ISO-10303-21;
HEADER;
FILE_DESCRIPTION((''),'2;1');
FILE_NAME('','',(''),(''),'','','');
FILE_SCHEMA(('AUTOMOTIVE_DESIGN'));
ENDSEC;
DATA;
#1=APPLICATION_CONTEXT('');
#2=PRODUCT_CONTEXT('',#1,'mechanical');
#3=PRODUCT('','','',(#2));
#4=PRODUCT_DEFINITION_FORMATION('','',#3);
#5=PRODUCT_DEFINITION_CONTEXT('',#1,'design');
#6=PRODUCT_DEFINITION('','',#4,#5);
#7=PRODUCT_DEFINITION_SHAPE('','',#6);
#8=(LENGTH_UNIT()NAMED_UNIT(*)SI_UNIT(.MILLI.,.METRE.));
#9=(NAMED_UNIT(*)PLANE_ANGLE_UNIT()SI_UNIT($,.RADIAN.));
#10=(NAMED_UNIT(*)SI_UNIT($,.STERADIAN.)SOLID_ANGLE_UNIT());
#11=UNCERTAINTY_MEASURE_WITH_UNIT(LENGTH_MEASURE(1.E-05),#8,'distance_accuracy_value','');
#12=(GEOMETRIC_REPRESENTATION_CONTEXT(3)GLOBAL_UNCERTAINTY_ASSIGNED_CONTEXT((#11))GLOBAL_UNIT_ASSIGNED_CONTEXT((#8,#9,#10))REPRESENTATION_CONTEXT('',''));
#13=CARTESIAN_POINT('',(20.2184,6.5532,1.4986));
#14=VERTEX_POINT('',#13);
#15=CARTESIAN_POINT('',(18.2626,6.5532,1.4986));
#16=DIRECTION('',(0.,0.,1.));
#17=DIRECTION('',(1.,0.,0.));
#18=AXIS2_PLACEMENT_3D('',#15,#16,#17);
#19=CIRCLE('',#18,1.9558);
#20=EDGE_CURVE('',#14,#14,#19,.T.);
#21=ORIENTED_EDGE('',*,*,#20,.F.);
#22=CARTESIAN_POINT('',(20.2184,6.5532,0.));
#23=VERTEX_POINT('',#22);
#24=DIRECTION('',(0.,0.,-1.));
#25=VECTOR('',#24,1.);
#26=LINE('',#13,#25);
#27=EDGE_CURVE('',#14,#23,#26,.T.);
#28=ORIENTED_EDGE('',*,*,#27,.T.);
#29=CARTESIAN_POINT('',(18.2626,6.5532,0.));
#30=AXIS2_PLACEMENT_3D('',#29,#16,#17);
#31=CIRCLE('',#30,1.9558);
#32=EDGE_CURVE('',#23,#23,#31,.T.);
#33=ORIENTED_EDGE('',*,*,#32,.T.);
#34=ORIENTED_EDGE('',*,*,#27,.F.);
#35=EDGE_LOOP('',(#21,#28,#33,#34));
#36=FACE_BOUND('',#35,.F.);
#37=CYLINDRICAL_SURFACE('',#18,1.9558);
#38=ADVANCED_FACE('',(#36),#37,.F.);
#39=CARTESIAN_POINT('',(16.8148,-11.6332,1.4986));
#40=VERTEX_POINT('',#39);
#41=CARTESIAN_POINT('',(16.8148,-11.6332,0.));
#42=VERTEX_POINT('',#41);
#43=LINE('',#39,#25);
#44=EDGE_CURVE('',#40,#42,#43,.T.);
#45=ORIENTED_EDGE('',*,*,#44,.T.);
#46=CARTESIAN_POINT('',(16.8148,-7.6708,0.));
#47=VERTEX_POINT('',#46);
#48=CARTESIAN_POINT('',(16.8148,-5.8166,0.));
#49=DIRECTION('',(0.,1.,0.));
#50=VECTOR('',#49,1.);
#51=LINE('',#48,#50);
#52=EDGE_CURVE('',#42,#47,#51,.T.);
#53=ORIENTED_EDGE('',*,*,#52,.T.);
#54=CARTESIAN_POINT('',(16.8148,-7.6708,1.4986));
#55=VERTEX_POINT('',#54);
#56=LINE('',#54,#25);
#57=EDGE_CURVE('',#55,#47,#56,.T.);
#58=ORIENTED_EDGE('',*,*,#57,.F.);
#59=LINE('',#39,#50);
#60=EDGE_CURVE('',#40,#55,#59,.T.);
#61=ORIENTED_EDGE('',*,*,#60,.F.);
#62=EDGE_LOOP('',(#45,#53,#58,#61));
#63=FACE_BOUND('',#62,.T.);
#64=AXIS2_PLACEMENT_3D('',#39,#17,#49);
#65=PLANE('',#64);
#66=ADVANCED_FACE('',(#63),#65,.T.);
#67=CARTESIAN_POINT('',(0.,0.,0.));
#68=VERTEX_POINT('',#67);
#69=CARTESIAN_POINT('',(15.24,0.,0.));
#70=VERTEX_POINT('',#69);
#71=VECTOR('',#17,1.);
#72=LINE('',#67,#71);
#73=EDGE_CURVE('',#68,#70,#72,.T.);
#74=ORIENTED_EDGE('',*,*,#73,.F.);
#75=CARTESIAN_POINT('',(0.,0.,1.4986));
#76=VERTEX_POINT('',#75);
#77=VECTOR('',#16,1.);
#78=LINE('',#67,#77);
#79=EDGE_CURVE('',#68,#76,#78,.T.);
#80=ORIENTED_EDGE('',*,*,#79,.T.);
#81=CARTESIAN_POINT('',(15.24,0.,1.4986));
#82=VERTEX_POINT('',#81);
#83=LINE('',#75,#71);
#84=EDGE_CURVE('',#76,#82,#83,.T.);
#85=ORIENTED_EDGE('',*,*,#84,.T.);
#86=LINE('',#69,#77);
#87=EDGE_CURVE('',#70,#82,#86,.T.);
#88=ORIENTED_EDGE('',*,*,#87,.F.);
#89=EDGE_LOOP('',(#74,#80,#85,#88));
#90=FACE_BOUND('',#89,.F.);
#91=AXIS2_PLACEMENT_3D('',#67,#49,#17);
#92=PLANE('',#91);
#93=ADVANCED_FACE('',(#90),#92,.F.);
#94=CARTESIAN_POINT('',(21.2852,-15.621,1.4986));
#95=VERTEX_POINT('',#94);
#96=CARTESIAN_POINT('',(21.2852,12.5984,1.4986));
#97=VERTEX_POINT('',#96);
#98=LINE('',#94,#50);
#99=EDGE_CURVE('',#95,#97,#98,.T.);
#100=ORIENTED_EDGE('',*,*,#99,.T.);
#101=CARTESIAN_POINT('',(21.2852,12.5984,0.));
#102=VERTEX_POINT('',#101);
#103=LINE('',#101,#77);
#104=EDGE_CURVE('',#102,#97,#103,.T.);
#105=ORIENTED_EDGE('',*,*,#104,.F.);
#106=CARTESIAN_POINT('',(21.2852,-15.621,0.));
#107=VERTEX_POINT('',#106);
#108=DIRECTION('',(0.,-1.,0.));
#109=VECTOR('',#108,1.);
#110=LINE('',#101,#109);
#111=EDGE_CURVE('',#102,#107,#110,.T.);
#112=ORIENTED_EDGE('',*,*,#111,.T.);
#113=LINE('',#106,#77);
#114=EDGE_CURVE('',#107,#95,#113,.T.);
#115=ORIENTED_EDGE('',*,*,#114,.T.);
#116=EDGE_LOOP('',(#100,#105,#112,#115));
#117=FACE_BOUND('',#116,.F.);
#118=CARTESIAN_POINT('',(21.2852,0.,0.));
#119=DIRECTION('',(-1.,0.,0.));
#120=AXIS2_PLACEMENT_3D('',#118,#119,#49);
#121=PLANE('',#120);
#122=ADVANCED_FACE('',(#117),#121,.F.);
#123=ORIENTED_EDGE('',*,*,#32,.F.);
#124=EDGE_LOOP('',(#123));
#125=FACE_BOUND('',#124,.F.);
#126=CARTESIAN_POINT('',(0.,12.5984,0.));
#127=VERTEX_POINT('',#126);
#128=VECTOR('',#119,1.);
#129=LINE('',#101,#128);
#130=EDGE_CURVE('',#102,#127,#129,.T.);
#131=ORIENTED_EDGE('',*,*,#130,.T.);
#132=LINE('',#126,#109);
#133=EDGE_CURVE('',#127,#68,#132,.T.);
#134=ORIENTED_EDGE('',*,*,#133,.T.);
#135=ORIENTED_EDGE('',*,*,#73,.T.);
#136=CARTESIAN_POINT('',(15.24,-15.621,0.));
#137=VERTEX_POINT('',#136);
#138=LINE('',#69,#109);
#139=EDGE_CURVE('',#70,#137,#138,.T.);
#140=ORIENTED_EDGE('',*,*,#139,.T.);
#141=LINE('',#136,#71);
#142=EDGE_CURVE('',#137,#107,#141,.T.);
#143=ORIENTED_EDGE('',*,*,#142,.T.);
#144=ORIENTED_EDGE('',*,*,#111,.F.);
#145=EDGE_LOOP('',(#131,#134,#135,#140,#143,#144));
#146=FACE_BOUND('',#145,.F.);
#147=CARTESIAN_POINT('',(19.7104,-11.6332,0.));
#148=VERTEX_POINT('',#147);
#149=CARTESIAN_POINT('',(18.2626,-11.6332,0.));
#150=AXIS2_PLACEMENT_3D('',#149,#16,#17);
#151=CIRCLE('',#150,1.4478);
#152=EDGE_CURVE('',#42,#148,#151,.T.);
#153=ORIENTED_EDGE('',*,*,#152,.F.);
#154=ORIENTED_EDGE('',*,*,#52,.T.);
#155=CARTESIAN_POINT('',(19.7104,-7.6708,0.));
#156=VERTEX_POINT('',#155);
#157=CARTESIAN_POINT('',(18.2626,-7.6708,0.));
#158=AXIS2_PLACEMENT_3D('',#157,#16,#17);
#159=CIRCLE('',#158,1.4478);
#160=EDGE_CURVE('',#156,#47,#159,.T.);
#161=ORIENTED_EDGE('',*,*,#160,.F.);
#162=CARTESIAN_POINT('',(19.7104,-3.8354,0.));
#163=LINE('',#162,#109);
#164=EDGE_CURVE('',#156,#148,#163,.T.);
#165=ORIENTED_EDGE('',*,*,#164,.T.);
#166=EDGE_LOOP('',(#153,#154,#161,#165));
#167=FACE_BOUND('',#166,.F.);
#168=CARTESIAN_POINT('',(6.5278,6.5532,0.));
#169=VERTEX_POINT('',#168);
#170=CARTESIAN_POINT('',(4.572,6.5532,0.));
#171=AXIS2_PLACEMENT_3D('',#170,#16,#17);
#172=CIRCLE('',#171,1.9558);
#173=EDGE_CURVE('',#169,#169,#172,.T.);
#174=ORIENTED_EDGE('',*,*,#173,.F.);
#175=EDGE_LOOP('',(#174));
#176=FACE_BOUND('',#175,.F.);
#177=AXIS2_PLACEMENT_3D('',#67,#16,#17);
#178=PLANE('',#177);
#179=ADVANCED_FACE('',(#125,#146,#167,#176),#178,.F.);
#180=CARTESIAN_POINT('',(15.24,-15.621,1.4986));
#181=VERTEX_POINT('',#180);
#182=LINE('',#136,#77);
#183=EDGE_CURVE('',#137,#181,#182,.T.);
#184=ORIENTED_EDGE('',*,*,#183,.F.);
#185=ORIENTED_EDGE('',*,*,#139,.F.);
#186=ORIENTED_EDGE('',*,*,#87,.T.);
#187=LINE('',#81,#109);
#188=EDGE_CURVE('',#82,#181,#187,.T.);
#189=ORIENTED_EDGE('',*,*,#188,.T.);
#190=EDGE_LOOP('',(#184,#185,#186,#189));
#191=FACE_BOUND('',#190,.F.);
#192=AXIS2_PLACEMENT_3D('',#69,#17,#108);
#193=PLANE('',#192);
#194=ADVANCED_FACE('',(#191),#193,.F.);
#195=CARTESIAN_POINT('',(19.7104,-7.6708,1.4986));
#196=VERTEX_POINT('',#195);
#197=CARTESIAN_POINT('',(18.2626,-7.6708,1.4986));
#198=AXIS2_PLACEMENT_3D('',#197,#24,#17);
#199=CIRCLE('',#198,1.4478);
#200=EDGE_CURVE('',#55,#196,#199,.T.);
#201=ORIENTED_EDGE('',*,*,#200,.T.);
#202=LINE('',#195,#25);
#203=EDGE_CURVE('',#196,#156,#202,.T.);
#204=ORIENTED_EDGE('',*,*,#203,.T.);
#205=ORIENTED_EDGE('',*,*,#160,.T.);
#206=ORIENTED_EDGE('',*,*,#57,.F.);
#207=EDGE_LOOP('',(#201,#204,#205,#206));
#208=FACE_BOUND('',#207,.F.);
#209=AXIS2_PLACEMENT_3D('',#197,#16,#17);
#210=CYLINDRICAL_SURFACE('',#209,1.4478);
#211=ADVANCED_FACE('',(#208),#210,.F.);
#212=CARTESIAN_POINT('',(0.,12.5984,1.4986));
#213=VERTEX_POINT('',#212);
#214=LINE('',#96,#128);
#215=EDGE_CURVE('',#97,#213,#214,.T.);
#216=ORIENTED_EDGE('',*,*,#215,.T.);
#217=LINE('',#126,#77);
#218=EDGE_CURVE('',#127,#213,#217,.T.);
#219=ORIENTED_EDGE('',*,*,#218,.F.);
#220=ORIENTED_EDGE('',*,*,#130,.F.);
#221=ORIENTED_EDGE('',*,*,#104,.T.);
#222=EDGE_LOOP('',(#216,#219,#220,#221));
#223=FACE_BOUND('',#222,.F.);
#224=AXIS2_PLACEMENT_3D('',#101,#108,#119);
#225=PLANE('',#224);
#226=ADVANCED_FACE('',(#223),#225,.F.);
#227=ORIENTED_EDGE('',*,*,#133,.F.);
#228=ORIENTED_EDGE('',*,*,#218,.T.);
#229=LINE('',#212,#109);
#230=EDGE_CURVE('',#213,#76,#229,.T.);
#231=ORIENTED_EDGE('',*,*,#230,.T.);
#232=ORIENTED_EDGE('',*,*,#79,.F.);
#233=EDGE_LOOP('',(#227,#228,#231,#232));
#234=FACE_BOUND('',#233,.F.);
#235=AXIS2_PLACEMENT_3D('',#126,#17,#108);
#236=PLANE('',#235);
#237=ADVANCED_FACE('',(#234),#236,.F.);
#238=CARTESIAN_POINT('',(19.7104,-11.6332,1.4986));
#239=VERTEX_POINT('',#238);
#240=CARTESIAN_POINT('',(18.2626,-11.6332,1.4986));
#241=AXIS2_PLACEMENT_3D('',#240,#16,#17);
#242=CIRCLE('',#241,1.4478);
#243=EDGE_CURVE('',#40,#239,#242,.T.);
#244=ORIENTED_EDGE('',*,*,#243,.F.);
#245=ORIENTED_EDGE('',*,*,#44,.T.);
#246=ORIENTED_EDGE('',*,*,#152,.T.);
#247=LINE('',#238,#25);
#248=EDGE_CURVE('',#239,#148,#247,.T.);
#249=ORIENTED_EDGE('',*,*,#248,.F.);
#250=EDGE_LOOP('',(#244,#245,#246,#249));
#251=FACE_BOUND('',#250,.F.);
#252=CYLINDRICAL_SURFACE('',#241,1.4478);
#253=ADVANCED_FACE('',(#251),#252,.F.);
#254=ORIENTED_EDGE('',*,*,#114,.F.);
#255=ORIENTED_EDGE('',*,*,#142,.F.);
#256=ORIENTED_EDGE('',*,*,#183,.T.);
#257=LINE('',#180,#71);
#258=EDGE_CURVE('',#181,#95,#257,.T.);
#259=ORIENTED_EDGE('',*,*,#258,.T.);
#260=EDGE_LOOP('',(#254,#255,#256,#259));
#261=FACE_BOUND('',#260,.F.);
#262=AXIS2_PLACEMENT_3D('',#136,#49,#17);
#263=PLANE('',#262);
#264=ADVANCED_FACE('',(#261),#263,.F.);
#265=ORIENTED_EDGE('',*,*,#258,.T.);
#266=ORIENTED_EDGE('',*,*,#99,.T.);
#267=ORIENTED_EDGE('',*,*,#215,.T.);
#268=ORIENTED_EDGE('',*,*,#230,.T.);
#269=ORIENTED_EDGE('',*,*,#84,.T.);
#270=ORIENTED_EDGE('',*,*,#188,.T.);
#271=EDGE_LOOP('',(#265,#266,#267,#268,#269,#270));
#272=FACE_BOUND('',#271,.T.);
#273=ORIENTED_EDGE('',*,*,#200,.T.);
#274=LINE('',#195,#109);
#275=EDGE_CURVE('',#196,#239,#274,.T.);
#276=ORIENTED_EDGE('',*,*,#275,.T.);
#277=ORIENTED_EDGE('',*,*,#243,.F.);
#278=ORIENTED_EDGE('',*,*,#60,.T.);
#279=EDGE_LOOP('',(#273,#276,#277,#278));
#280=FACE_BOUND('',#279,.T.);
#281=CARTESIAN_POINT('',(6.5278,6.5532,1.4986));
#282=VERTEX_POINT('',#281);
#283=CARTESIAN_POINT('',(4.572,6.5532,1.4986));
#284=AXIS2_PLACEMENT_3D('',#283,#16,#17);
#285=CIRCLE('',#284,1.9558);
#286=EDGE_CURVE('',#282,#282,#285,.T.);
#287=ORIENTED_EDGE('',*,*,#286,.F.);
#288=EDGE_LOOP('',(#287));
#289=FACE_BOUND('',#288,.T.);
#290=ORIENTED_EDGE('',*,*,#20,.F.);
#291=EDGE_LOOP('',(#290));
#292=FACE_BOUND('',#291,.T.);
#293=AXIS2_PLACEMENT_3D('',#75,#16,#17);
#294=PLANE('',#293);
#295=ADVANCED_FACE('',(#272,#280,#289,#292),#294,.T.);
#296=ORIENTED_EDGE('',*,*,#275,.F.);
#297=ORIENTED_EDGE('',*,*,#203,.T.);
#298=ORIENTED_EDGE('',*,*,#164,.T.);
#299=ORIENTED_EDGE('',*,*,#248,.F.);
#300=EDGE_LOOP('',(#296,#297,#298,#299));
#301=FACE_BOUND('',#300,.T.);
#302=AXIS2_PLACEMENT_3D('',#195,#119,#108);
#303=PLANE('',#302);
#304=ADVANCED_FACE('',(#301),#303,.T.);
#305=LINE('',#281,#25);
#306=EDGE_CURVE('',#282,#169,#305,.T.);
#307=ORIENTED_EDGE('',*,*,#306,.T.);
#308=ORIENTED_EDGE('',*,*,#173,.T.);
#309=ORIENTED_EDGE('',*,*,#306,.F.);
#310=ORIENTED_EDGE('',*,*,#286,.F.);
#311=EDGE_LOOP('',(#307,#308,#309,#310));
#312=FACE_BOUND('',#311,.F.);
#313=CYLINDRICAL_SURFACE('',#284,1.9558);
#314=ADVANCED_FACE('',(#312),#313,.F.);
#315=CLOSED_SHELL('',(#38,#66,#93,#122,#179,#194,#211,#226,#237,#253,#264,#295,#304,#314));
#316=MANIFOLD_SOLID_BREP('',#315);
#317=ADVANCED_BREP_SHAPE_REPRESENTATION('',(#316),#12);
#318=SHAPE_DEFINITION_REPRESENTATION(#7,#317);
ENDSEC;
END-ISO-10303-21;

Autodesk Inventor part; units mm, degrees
ref_plane "YZ Plane" through (0, 0, 0) normal (1, 0, 0) x (0, 1, 0)
ref_plane "XZ Plane" through (0, 0, 0) normal (0, 1, 0) x (-1, 0, 0)
ref_plane "XY Plane" through (0, 0, 0) normal (0, 0, 1) x (1, 0, 0)
sketch "Sketch1" plane through (0, 0, 0) normal (0, 0, 1) x (1, 0, 0)
  line L0 (0, 0) -> (15.24, 0)
  line L1 (21.2852, 0) -> (21.2852, 12.5984)
  line L2 (21.2852, 12.5984) -> (0, 12.5984)
  line L3 (0, 12.5984) -> (0, 0)
  line L4 (15.24, 0) -> (15.24, -15.621)
  line L5 (15.24, -15.621) -> (21.2852, -15.621)
  line L6 (21.2852, -15.621) -> (21.2852, 0)
  line L7 (0, 0) -> (15.24, 0)
  dimension "d0" = 21.2852
  dimension "d1" = 12.5984
  dimension "d2" = 6.0452
  dimension "d3" = 15.621
extrude "Extrusion1" add sketch "Sketch1" along normal blind 1.4986
sketch "Sketch2" plane through (0, 0, 1.4986) normal (0, 0, 1) x (1, 0, 0)
  circle A0 centre (4.572, 6.5532) radius 1.9558
  line L0 (21.2852, 12.5984) -> (0, 12.5984) projected
  line L1 (0, 12.5984) -> (0, 0) projected
  circle A1 centre (18.2626, 6.5532) radius 1.9558
  dimension "d6" = 3.9116
  dimension "d7" = 6.0452
  dimension "d8" = 4.572
  dimension "d11" = 13.6906
extrude "Extrusion2" cut sketch "Sketch2" against normal blind 25.4
sketch "Sketch3" plane through (0, 0, 1.4986) normal (0, 0, 1) x (1, 0, 0)
  circle A0 centre (18.2626, -11.6332) radius 1.4478
  line L0 (15.24, -15.621) -> (21.2852, -15.621) projected
  line L1 (15.24, 0) -> (15.24, -15.621) projected
  circle A1 centre (18.2626, -7.6708) radius 1.4478
  line L2 (16.8148, -7.6708) -> (18.2626, -7.6708)
  line L3 (19.7104, -11.6332) -> (17.1196, -11.6332)
  point P0 (0, 0)
  dimension "d18" = 2.8956
  dimension "d19" = 3.9878
  dimension "d20" = 3.0226
  dimension "d26" = 3.9624
extrude "Extrusion4" cut sketch "Sketch3" against normal blind 25.4
sketch "Sketch6" plane through (0, 0, 1.4986) normal (0, 0, 1) x (1, 0, 0)
  circle A0 centre (18.2626, -7.6708) radius 1.4478 projected
  circle A1 centre (18.2626, -11.6332) radius 1.4478 projected
  line L0 (16.8148, -7.6708) -> (19.7104, -7.6708)
  line L1 (19.7104, -7.6708) -> (19.7104, -11.6332)
  line L2 (19.7104, -11.6332) -> (16.8148, -11.6332)
  line L3 (16.8148, -11.6332) -> (16.8148, -7.6708)
  point P0 (0, 0)
extrude "Extrusion5" cut sketch "Sketch6" against normal blind 25.4 contours L1 A1 L3 A0 | A0 L0 | L2 A1 picked at (18.2044, -8.1499) picked at (18.4337, -11.182)
equation "\"BendRadius\" = Thickness"
equation "\"BendReliefWidth\" = Thickness"
equation "\"BendReliefDepth\" = 0.5 * Thickness"
equation "\"CornerReliefSize\" = 4 * Thickness"
equation "\"MinimumRemnant\" = 2 * Thickness"
equation "\"TransitionRadius\" = BendRadius"
equation "\"JacobiRadiusSize\" = Thickness"
equation "\"GapSize\" = Thickness"
equation "\"Thickness\" = 3.048"
properties part number "dsub37bracket_redraw"
